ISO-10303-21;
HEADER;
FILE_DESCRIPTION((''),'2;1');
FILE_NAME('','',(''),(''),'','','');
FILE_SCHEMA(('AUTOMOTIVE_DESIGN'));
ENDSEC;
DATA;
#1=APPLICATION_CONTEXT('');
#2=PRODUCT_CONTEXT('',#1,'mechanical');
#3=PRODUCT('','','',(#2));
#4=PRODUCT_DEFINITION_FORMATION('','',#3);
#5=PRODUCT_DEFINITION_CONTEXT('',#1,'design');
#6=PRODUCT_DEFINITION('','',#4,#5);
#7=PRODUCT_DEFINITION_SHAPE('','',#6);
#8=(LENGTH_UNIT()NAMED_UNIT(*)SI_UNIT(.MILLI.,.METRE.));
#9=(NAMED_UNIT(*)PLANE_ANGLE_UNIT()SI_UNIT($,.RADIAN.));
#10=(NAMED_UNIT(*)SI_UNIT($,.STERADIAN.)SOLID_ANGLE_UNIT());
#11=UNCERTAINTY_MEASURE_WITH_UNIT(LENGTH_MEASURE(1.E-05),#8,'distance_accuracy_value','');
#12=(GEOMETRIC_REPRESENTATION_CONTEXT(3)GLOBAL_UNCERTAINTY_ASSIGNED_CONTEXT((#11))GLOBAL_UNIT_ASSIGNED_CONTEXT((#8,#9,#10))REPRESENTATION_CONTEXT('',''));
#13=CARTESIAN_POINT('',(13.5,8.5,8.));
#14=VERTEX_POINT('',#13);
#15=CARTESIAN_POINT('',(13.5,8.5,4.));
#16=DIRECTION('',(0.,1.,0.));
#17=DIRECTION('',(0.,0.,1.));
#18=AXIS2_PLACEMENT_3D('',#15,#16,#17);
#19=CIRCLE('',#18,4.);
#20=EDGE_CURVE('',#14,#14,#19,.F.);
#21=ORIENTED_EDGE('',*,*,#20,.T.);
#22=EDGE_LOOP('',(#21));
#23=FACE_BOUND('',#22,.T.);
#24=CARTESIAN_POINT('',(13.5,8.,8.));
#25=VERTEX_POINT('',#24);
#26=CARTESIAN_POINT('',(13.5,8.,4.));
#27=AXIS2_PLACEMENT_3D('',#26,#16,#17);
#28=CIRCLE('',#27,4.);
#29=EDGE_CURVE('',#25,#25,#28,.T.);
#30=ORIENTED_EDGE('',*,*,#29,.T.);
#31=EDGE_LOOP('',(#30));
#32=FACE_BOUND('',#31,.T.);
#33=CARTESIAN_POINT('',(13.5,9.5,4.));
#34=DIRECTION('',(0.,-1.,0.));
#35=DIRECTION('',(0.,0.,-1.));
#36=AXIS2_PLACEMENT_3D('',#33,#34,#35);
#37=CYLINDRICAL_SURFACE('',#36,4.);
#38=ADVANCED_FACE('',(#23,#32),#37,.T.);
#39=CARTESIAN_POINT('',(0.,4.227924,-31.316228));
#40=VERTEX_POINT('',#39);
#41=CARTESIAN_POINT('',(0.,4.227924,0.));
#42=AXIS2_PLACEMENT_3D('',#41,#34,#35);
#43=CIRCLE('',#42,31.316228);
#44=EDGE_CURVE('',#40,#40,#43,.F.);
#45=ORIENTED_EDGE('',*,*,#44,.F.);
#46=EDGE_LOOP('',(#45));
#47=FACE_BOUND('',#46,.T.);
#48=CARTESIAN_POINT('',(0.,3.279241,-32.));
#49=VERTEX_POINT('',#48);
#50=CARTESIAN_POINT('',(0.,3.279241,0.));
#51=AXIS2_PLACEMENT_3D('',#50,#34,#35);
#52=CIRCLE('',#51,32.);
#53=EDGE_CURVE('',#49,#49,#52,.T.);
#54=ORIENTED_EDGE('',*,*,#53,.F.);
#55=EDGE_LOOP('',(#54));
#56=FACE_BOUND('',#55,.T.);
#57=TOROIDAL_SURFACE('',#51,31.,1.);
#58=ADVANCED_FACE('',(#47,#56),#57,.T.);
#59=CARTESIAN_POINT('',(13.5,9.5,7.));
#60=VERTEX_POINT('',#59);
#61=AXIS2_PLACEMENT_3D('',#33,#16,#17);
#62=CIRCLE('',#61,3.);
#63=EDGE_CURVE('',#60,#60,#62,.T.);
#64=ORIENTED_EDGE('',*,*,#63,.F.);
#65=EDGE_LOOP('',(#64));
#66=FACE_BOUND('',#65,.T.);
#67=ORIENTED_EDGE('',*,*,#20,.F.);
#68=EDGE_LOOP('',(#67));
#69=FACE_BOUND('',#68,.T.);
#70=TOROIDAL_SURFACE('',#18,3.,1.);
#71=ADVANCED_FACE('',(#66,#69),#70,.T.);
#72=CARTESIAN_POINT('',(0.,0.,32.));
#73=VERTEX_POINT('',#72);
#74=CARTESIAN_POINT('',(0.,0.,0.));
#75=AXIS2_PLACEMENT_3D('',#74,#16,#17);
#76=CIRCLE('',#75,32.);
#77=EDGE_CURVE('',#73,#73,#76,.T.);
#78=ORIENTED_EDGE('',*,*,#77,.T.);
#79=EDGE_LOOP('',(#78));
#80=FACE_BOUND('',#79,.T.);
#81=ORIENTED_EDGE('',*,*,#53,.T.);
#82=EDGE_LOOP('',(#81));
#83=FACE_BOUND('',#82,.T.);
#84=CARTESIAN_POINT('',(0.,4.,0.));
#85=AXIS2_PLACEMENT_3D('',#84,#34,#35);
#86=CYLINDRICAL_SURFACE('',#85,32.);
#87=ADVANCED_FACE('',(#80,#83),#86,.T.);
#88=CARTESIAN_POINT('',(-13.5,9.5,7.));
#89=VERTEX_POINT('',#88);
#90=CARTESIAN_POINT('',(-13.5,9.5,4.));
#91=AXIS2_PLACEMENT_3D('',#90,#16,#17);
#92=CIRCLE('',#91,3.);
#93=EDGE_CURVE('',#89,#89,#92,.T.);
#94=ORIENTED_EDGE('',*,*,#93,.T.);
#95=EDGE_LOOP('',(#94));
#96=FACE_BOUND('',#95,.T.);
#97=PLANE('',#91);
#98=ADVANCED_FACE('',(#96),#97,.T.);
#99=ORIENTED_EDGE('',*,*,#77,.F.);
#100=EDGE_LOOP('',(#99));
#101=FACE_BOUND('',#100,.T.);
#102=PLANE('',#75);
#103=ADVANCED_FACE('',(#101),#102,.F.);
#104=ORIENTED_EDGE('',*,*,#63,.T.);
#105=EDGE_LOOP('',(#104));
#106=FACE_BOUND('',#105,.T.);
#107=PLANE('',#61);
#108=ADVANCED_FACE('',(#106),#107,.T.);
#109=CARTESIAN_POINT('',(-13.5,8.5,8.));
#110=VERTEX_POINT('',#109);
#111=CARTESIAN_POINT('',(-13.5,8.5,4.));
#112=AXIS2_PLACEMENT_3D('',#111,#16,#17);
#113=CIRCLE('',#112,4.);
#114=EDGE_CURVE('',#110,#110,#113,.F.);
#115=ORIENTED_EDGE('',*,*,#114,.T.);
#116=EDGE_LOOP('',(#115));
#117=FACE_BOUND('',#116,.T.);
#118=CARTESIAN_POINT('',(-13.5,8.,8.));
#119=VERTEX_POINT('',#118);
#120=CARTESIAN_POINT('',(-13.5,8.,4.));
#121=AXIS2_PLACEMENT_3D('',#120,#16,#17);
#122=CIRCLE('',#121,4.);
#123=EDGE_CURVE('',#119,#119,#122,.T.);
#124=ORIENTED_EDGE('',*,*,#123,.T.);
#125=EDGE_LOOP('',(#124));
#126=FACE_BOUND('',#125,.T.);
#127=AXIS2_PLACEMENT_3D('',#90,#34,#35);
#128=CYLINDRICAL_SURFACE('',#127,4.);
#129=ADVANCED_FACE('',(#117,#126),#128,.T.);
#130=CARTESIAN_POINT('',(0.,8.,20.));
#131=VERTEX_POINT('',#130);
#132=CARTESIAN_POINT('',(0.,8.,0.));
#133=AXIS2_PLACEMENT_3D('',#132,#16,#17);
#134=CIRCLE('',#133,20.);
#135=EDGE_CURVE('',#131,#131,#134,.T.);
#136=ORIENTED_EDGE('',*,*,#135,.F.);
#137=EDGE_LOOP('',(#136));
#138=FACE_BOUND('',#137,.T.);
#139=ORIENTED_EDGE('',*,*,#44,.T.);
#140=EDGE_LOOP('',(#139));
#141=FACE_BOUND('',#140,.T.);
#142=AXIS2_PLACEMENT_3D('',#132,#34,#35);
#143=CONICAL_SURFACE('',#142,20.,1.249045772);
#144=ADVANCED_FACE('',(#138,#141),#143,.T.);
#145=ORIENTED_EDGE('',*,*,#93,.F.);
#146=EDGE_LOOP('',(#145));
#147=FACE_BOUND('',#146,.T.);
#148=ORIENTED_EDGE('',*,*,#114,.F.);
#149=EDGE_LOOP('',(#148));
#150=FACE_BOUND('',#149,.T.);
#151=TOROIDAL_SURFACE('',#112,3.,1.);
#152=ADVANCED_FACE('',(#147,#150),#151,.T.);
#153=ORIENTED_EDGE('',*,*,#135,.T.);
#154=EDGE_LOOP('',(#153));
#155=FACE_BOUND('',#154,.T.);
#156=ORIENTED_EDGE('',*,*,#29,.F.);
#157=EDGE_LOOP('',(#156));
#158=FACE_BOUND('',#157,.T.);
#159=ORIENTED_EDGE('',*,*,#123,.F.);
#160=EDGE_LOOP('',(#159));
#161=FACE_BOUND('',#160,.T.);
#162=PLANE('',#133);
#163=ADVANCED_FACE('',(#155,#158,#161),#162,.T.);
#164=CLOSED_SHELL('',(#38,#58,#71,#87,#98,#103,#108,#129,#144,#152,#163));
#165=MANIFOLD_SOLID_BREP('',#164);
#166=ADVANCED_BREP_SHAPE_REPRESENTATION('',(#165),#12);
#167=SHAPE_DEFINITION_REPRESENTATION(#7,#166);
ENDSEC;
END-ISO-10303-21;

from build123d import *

# Parameters (mm, degrees)
SKETCH1_R           = 32
BOSS_EXTRUDE1_DEPTH = 4
SKETCH3_R           = 20
SKETCH2_R           = 32
FILLET1_R           = 1
SKETCH4_R           = 4
BOSS_EXTRUDE2_DEPTH = 1.5
FILLET2_R           = 1


with BuildPart() as part:
    # Sketch1 → Boss-Extrude1 (new body)
    with BuildSketch(Plane(origin=(0, 0, 0), x_dir=(1, 0, 0), z_dir=(0, 1, 0))):
        Circle(SKETCH1_R)
    extrude(amount=BOSS_EXTRUDE1_DEPTH)

    # Sketch3 → Loft1 section 0
    with BuildSketch(Plane(origin=(0, 8, 0), x_dir=(-1, 0, 0), z_dir=(0, 1, 0))):
        Circle(SKETCH3_R)
    # Sketch2 → Loft1 section 1
    with BuildSketch(Plane(origin=(0, 4, 0), x_dir=(1, 0, 0), z_dir=(0, 1, 0))):
        Circle(SKETCH2_R)
    loft()

    # Fillet1
    fillet1_edges = [part.edges().sort_by_distance(p)[0] for p in [
        (0, 4, 32),
    ]]
    fillet(fillet1_edges, radius=FILLET1_R)

    # Sketch4 → Boss-Extrude2 (add)
    with BuildSketch(Plane(origin=(0, 8, 0), x_dir=(1, 0, 0), z_dir=(0, 1, 0))):
        with Locations((-13.5, -4)):
            Circle(SKETCH4_R)
        with Locations((13.5, -4)):
            Circle(SKETCH4_R)
    extrude(amount=BOSS_EXTRUDE2_DEPTH)

    # Fillet2
    fillet2_edges = [part.edges().sort_by_distance(p)[0] for p in [
        (-17.5, 9.5, 4),
        (9.5, 9.5, 4),
    ]]
    fillet(fillet2_edges, radius=FILLET2_R)


solid = part.part
